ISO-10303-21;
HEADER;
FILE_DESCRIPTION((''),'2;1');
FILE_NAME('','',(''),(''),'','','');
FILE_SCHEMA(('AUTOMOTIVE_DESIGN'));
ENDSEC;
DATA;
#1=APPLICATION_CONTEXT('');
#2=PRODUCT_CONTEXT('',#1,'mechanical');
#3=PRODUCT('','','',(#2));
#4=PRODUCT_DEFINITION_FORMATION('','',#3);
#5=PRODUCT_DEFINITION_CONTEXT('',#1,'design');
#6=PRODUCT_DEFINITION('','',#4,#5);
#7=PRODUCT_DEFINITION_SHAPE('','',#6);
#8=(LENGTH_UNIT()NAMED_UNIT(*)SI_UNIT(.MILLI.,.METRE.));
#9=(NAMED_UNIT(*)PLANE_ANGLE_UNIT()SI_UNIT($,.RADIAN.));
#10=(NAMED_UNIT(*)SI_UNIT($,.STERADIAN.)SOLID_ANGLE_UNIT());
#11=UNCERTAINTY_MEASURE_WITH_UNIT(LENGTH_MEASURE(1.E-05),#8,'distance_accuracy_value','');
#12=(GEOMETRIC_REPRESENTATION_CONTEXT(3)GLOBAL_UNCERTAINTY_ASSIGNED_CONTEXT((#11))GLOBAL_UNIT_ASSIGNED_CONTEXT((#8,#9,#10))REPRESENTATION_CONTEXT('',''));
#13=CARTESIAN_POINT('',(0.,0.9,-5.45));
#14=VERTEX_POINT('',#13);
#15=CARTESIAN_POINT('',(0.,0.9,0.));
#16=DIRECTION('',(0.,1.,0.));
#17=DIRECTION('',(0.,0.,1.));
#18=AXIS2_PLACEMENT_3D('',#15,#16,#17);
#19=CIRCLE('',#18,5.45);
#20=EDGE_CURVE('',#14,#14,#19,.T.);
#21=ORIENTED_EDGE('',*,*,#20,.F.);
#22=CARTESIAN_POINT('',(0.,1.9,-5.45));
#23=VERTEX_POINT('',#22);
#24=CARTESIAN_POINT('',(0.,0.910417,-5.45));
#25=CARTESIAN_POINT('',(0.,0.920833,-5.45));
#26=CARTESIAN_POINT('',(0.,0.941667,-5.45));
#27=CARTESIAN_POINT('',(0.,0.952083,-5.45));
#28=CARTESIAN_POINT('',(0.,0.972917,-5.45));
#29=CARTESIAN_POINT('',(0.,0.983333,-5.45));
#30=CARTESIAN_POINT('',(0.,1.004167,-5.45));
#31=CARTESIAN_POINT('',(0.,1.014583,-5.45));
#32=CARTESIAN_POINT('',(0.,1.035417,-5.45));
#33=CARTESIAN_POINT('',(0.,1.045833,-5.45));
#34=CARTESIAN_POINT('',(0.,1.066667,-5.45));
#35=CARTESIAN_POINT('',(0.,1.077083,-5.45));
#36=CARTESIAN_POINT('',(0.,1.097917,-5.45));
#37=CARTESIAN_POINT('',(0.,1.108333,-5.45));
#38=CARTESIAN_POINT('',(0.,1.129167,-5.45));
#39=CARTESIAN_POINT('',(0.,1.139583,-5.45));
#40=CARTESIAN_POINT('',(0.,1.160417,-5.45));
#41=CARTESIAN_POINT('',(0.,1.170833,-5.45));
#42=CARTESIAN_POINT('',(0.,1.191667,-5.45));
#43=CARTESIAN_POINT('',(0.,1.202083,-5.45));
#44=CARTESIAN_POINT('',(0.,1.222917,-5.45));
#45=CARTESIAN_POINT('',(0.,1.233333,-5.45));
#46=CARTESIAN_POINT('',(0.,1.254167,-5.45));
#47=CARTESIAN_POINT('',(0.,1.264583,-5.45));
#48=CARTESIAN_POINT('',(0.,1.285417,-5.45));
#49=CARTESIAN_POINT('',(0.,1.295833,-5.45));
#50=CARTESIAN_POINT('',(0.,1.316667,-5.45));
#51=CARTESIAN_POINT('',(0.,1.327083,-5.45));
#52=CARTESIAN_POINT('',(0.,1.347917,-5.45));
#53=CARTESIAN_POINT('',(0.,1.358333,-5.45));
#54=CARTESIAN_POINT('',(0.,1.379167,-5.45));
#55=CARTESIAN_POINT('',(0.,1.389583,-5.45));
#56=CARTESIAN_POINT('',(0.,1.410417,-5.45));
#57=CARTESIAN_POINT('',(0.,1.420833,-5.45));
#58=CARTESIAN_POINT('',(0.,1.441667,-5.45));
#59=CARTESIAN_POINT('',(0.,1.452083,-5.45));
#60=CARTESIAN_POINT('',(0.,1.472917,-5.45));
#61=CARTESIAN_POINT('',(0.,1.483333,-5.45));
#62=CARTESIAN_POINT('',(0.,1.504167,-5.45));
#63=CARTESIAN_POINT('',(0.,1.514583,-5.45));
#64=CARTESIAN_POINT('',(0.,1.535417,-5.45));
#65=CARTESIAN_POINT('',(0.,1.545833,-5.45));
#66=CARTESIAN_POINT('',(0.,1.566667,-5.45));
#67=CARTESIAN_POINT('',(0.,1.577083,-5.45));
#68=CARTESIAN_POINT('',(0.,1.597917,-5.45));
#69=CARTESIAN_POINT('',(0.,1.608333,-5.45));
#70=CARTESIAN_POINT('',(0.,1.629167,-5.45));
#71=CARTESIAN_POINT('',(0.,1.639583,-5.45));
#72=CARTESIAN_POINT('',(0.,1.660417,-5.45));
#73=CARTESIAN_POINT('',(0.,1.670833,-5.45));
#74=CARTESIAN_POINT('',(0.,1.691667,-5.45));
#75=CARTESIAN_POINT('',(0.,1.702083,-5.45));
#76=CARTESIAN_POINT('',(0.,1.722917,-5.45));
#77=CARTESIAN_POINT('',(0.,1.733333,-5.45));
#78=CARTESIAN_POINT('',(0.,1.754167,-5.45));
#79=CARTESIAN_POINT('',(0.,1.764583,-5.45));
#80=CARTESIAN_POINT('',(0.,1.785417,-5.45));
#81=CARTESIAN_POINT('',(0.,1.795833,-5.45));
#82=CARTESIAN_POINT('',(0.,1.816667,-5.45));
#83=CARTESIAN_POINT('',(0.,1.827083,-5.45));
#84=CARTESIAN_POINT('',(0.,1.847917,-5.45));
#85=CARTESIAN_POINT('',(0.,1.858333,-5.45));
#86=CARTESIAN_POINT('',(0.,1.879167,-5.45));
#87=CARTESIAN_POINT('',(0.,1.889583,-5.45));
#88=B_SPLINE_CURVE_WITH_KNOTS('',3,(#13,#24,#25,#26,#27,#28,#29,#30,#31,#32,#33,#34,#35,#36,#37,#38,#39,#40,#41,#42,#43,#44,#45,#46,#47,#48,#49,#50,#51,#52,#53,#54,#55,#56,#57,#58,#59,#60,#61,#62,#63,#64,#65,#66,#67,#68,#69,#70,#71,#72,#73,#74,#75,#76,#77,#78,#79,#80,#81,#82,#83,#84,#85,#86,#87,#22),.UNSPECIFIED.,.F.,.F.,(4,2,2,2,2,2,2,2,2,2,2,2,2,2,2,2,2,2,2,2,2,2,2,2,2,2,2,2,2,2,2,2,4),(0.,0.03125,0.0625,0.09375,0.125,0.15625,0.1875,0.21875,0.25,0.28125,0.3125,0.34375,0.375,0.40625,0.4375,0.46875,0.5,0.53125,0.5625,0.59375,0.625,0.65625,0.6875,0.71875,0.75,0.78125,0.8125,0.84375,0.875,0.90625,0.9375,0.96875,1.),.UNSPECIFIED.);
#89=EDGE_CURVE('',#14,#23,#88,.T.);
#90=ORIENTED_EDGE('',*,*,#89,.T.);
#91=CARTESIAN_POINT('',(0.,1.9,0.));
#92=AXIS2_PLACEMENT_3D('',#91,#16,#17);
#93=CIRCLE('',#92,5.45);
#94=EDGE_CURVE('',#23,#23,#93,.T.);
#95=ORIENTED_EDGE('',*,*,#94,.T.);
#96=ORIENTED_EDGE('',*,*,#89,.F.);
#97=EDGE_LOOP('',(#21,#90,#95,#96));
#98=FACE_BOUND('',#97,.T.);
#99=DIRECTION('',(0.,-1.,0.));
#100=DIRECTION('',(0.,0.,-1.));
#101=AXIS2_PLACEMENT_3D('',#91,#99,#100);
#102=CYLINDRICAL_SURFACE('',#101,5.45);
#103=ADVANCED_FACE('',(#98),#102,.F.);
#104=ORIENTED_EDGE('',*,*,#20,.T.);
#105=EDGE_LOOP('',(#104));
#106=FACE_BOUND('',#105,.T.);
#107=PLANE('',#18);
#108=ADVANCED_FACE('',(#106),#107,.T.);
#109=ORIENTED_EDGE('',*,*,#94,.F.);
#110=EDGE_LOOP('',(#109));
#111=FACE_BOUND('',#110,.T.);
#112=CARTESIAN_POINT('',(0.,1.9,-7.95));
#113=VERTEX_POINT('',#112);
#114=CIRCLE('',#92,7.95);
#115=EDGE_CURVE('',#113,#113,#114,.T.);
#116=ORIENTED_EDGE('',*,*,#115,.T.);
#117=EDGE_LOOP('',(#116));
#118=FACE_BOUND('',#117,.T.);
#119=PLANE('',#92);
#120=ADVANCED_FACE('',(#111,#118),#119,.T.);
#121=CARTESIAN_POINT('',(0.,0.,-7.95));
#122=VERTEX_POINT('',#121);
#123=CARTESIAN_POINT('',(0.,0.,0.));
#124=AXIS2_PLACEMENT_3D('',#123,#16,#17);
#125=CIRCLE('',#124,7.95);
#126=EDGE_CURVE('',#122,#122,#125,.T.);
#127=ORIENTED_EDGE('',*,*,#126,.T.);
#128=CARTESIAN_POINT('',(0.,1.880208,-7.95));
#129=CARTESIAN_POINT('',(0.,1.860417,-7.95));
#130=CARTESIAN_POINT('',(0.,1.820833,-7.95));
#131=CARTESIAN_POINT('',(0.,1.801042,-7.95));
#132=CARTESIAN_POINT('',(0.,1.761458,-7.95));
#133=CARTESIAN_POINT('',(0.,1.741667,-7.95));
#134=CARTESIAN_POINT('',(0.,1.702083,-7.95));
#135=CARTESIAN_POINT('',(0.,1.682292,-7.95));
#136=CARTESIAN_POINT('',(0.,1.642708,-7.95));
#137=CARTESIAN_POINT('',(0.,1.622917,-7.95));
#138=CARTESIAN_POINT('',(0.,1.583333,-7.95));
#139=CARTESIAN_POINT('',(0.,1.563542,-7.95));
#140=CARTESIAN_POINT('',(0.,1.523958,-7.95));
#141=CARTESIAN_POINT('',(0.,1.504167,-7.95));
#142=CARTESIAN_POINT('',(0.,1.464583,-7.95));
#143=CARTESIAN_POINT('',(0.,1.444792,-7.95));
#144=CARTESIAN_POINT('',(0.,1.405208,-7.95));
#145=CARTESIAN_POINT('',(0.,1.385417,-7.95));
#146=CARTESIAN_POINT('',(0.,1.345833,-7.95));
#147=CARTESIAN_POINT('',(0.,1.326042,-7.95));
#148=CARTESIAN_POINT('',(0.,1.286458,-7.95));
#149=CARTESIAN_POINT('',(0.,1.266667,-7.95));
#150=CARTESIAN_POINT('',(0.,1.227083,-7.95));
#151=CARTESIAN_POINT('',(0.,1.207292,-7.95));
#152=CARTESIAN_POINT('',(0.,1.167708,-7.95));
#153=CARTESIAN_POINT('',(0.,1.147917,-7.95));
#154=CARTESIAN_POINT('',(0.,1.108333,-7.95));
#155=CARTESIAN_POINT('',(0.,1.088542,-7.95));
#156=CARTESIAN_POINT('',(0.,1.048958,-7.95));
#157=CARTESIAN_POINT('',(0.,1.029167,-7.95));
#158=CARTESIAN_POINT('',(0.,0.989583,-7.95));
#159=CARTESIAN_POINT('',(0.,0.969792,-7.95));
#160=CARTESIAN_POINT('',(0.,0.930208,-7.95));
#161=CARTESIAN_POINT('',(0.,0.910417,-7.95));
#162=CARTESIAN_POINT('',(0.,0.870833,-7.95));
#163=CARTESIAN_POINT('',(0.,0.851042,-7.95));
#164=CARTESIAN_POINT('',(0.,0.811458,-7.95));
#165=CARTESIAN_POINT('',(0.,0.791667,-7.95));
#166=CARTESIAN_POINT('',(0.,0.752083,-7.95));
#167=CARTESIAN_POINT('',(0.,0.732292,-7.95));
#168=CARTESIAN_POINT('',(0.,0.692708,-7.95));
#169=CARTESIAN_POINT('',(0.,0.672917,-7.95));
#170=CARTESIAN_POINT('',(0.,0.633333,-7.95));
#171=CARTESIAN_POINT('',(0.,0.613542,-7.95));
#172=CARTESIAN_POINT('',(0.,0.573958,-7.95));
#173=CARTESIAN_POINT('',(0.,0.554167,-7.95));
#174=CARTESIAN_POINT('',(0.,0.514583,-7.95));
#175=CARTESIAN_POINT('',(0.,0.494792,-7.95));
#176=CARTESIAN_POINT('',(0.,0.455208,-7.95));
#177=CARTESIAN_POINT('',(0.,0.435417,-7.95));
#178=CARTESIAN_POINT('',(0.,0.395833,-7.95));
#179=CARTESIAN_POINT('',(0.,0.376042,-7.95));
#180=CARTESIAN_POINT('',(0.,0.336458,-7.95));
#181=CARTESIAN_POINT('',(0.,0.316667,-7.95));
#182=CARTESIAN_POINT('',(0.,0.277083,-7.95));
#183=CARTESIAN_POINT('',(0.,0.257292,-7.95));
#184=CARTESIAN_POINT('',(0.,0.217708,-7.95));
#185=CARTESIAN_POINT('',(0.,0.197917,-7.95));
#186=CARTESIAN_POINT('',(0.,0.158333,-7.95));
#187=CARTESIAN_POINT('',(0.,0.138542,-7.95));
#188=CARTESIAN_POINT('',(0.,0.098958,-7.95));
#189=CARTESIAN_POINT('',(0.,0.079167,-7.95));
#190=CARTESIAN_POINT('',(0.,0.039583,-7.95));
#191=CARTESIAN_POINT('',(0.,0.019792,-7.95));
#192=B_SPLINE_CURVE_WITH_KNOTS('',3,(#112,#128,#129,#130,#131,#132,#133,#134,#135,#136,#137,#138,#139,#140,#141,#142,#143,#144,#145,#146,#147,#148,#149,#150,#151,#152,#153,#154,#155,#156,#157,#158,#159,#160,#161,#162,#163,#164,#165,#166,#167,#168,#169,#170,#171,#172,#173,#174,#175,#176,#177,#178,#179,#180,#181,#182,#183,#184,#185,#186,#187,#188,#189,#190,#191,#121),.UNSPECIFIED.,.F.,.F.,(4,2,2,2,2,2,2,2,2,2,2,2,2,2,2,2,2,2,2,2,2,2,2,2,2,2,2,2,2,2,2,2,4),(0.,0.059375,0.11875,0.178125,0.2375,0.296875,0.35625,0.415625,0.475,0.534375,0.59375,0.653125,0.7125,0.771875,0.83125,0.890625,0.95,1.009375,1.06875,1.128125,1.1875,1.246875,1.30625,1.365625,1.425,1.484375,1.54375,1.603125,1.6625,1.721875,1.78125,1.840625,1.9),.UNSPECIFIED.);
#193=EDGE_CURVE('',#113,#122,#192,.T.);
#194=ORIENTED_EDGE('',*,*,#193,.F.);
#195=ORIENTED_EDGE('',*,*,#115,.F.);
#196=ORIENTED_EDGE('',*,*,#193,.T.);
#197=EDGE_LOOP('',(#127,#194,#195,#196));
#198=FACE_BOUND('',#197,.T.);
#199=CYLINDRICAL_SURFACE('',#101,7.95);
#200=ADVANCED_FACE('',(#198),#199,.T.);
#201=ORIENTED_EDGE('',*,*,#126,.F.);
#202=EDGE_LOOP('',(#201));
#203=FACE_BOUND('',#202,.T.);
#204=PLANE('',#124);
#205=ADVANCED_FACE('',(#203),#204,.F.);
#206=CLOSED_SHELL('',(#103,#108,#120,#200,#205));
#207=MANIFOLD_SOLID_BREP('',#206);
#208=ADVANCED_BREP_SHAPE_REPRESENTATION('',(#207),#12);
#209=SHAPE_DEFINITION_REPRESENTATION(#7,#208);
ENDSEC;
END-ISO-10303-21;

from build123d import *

# Parameters (mm, degrees)
ESQUISSE1_R        = 7.95
ESQUISSE1_R_2      = 5.45
BOSS_EXTRU_1_DEPTH = 1.9
ESQUISSE3_R        = 5.45
BOSS_EXTRU_2_DEPTH = 0.9


with BuildPart() as part:
    # Esquisse1 → Boss.-Extru.1 (new body)
    with BuildSketch(Plane(origin=(0, 0, 0), x_dir=(1, 0, 0), z_dir=(0, 1, 0))):
        with Locations(Location((0, 0, 0), (0, 0, 90))):
            Circle(ESQUISSE1_R)
        with Locations(Location((0, 0, 0), (0, 0, 90))):
            Circle(ESQUISSE1_R_2, mode=Mode.SUBTRACT)
    extrude(amount=BOSS_EXTRU_1_DEPTH)

    # Esquisse3 → Boss.-Extru.2 (add)
    with BuildSketch(Plane(origin=(0, 0, 0), x_dir=(1, 0, 0), z_dir=(0, 1, 0))):
        with Locations(Location((0, 0, 0), (0, 0, 90))):
            Circle(ESQUISSE3_R)
    extrude(amount=BOSS_EXTRU_2_DEPTH)


solid = part.part
